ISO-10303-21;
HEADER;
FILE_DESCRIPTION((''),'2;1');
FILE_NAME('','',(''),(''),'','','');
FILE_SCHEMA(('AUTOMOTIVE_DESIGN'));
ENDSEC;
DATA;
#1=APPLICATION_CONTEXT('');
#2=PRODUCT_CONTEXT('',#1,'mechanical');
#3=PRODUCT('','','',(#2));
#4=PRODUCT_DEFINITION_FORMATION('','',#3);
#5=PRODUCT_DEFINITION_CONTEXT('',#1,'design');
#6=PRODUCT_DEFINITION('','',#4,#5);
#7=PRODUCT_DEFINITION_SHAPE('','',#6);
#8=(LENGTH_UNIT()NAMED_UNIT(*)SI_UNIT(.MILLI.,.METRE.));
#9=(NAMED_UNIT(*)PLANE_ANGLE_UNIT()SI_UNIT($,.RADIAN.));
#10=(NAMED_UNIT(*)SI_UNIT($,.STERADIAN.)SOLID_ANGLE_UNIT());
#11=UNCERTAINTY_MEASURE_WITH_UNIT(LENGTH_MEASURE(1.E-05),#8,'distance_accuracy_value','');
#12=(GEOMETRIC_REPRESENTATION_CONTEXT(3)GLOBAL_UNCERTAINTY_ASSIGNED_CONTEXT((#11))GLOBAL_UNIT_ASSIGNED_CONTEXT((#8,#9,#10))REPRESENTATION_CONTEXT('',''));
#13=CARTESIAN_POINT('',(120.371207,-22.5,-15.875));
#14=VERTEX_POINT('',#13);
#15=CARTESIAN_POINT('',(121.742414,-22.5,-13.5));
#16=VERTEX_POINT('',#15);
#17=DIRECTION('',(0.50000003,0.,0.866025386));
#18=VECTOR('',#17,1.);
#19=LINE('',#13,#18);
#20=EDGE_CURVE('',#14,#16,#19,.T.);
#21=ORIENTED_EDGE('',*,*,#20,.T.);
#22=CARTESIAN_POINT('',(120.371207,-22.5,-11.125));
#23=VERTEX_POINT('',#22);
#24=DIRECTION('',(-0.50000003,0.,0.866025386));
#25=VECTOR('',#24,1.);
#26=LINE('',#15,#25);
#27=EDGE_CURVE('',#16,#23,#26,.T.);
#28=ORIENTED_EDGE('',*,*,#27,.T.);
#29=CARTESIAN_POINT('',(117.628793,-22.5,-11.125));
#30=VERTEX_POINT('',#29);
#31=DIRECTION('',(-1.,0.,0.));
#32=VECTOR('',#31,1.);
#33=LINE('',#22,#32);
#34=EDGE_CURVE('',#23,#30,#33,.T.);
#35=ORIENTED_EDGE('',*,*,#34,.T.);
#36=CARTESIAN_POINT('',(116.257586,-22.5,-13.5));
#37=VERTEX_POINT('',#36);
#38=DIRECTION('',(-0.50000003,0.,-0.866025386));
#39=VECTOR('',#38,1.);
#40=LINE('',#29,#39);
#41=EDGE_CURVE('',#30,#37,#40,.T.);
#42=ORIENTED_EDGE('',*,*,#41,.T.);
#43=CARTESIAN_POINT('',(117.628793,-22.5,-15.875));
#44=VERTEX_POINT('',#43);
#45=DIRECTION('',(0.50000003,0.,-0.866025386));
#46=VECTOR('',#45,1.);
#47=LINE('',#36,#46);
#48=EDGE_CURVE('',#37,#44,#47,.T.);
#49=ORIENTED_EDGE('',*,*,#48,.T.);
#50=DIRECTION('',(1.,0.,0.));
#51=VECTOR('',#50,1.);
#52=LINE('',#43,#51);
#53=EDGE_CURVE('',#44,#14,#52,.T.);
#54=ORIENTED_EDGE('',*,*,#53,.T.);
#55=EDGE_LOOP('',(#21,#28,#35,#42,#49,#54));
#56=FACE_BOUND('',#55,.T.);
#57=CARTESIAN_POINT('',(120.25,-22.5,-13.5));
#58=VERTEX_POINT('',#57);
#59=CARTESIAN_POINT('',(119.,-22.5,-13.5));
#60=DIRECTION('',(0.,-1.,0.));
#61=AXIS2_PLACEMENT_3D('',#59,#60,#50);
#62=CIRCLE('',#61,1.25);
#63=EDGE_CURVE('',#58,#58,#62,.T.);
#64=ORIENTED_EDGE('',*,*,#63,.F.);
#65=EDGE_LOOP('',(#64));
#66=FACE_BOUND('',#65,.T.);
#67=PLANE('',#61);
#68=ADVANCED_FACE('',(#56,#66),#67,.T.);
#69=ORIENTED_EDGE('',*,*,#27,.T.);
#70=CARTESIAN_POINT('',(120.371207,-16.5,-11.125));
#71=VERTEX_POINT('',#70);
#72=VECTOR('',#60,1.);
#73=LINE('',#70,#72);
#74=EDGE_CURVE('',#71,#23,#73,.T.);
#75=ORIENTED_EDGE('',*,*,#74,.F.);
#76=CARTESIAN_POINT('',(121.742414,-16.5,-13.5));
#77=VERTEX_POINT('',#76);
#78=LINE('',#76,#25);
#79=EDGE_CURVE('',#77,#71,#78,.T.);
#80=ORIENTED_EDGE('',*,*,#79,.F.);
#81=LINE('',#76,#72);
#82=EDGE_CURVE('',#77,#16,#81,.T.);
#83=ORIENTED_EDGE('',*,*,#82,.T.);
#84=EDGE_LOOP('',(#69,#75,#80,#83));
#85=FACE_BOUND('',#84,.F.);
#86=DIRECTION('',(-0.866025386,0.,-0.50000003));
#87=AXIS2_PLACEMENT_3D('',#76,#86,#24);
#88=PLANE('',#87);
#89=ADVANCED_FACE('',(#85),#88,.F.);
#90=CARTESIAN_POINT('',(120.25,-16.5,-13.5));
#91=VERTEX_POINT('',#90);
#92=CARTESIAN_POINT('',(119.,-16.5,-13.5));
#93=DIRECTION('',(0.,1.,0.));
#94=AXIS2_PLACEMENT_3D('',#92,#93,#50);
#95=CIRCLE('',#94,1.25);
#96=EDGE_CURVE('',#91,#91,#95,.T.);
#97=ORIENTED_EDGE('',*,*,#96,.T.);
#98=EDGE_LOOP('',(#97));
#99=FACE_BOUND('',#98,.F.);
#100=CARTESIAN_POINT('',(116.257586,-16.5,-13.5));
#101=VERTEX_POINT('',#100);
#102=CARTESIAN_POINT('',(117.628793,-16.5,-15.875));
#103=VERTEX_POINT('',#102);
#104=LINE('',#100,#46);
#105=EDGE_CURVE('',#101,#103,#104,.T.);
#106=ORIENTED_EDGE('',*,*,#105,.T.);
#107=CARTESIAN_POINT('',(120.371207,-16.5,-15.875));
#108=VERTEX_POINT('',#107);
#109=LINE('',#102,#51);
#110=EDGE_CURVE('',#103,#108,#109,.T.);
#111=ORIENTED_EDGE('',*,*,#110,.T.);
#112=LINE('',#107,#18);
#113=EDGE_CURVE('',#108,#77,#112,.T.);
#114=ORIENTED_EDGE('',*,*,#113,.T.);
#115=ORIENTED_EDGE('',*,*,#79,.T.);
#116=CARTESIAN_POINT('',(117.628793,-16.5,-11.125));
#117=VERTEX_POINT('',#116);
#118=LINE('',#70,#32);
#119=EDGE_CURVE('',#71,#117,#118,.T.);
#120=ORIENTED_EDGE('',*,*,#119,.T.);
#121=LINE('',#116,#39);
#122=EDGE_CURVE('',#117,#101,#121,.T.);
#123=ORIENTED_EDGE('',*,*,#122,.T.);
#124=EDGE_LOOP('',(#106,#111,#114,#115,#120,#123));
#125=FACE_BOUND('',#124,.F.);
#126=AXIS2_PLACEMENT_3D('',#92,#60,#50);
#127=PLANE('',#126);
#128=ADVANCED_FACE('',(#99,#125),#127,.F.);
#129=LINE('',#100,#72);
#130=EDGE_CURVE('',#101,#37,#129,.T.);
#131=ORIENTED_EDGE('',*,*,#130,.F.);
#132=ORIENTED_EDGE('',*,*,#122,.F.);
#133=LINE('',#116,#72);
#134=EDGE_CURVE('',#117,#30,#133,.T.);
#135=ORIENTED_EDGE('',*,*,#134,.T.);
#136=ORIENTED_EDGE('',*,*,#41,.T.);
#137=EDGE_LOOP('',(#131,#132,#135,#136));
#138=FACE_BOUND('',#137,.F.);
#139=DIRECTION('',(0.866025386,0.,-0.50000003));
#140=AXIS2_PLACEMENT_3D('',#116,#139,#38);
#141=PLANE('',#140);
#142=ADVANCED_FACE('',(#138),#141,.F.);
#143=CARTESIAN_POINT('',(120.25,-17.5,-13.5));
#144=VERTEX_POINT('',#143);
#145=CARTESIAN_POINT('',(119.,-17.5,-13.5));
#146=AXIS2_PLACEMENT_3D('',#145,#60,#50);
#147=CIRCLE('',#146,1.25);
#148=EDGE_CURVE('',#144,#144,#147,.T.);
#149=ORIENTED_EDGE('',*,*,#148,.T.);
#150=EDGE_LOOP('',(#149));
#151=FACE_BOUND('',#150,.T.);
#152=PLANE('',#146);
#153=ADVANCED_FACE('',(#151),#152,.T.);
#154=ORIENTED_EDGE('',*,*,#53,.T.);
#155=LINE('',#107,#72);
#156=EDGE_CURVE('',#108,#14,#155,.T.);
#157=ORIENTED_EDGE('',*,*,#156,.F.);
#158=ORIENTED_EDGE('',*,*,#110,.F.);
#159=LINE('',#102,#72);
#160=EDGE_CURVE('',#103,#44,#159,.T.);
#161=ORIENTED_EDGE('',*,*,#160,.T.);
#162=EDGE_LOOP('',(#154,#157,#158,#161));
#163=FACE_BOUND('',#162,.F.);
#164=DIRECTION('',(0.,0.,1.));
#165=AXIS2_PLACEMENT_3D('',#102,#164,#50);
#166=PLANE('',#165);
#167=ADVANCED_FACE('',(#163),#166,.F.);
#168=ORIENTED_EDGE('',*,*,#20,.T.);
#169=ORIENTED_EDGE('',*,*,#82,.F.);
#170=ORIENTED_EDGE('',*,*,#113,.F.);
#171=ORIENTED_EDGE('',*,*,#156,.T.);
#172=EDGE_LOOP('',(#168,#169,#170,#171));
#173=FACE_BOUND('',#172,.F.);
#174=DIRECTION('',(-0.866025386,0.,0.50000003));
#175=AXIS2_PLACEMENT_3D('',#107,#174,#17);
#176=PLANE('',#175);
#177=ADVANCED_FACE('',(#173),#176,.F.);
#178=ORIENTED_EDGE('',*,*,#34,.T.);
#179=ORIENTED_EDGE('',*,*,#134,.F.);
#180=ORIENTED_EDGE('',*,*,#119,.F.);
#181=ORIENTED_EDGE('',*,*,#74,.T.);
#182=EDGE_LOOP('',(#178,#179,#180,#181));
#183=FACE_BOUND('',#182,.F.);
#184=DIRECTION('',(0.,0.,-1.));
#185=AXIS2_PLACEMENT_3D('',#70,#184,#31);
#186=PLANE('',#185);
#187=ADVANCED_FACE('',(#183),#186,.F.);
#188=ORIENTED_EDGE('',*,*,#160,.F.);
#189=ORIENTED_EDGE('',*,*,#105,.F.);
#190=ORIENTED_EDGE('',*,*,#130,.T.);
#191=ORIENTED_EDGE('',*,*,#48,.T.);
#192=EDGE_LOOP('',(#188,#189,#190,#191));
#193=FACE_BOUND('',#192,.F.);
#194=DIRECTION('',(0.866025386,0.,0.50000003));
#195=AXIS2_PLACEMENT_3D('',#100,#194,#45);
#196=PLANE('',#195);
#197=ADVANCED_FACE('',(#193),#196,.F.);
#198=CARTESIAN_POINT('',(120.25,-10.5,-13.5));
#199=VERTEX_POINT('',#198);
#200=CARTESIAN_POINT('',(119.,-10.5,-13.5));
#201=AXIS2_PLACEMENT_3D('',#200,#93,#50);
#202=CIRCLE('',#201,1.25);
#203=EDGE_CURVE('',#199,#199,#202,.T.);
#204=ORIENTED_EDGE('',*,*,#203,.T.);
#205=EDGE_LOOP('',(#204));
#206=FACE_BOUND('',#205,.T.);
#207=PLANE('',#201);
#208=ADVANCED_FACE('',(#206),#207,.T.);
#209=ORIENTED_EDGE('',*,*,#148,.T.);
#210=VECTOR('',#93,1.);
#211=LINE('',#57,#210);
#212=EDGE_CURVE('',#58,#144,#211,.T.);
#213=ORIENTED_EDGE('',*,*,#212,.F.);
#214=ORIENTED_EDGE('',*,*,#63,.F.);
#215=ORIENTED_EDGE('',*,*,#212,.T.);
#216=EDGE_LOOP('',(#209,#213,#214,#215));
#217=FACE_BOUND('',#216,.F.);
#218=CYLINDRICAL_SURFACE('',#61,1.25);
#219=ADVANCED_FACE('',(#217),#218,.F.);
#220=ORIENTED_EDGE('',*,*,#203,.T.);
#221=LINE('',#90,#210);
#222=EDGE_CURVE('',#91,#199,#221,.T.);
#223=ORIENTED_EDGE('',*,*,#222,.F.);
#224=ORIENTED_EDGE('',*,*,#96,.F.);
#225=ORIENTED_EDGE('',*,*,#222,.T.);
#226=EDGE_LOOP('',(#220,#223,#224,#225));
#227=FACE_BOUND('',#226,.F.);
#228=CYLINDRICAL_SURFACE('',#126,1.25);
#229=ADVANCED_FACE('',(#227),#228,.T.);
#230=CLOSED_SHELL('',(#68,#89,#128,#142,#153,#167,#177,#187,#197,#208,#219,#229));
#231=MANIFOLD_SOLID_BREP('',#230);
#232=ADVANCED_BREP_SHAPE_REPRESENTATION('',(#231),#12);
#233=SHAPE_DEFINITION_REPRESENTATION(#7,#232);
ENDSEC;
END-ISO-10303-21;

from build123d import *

# Parameters (mm, degrees)
PAD002_DEPTH            = 6
SKETCH008_R             = 1.25
PAD003_DEPTH            = 6
SKETCH009_R             = 1.25
POCKET004_DEPTH         = 5
BODY003_PLACEMENT_ANGLE = 90


with BuildPart() as part:
    # Sketch007 → Pad002 (new body)
    with BuildSketch(Plane.XY):
        Polygon((1.371207, 2.375), (-1.371207, 2.375), (-2.742414, 0), (-1.371207, -2.375), (1.371207, -2.375), (2.742414, 0), align=None)
    extrude(amount=PAD002_DEPTH)

    # Sketch008 (on Face7 of Pad002) → Pad003 (join)
    with BuildSketch(Plane(origin=(0, 0, 0), x_dir=(1, 0, 0), z_dir=(0, 0, -1))):
        Circle(SKETCH008_R)
    extrude(amount=PAD003_DEPTH)

    # Sketch009 (on Face5 of Pad003) → Pocket004 (cut)
    with BuildSketch(Plane.XY.offset(6)):
        Circle(SKETCH009_R)
    extrude(amount=-POCKET004_DEPTH, mode=Mode.SUBTRACT)


with BuildPart() as part_1:
    # Body003 placement: moved
    add(part.part.moved(Location((61, -16.5, -13.5))).rotate(Axis((61, -16.5, -13.5), (1, 0, 0)), BODY003_PLACEMENT_ANGLE))


with BuildPart() as part_2:
    # Body004 placement: moved
    add(part_1.part.moved(Location((58, 0, 0))))


solid = part_2.part
